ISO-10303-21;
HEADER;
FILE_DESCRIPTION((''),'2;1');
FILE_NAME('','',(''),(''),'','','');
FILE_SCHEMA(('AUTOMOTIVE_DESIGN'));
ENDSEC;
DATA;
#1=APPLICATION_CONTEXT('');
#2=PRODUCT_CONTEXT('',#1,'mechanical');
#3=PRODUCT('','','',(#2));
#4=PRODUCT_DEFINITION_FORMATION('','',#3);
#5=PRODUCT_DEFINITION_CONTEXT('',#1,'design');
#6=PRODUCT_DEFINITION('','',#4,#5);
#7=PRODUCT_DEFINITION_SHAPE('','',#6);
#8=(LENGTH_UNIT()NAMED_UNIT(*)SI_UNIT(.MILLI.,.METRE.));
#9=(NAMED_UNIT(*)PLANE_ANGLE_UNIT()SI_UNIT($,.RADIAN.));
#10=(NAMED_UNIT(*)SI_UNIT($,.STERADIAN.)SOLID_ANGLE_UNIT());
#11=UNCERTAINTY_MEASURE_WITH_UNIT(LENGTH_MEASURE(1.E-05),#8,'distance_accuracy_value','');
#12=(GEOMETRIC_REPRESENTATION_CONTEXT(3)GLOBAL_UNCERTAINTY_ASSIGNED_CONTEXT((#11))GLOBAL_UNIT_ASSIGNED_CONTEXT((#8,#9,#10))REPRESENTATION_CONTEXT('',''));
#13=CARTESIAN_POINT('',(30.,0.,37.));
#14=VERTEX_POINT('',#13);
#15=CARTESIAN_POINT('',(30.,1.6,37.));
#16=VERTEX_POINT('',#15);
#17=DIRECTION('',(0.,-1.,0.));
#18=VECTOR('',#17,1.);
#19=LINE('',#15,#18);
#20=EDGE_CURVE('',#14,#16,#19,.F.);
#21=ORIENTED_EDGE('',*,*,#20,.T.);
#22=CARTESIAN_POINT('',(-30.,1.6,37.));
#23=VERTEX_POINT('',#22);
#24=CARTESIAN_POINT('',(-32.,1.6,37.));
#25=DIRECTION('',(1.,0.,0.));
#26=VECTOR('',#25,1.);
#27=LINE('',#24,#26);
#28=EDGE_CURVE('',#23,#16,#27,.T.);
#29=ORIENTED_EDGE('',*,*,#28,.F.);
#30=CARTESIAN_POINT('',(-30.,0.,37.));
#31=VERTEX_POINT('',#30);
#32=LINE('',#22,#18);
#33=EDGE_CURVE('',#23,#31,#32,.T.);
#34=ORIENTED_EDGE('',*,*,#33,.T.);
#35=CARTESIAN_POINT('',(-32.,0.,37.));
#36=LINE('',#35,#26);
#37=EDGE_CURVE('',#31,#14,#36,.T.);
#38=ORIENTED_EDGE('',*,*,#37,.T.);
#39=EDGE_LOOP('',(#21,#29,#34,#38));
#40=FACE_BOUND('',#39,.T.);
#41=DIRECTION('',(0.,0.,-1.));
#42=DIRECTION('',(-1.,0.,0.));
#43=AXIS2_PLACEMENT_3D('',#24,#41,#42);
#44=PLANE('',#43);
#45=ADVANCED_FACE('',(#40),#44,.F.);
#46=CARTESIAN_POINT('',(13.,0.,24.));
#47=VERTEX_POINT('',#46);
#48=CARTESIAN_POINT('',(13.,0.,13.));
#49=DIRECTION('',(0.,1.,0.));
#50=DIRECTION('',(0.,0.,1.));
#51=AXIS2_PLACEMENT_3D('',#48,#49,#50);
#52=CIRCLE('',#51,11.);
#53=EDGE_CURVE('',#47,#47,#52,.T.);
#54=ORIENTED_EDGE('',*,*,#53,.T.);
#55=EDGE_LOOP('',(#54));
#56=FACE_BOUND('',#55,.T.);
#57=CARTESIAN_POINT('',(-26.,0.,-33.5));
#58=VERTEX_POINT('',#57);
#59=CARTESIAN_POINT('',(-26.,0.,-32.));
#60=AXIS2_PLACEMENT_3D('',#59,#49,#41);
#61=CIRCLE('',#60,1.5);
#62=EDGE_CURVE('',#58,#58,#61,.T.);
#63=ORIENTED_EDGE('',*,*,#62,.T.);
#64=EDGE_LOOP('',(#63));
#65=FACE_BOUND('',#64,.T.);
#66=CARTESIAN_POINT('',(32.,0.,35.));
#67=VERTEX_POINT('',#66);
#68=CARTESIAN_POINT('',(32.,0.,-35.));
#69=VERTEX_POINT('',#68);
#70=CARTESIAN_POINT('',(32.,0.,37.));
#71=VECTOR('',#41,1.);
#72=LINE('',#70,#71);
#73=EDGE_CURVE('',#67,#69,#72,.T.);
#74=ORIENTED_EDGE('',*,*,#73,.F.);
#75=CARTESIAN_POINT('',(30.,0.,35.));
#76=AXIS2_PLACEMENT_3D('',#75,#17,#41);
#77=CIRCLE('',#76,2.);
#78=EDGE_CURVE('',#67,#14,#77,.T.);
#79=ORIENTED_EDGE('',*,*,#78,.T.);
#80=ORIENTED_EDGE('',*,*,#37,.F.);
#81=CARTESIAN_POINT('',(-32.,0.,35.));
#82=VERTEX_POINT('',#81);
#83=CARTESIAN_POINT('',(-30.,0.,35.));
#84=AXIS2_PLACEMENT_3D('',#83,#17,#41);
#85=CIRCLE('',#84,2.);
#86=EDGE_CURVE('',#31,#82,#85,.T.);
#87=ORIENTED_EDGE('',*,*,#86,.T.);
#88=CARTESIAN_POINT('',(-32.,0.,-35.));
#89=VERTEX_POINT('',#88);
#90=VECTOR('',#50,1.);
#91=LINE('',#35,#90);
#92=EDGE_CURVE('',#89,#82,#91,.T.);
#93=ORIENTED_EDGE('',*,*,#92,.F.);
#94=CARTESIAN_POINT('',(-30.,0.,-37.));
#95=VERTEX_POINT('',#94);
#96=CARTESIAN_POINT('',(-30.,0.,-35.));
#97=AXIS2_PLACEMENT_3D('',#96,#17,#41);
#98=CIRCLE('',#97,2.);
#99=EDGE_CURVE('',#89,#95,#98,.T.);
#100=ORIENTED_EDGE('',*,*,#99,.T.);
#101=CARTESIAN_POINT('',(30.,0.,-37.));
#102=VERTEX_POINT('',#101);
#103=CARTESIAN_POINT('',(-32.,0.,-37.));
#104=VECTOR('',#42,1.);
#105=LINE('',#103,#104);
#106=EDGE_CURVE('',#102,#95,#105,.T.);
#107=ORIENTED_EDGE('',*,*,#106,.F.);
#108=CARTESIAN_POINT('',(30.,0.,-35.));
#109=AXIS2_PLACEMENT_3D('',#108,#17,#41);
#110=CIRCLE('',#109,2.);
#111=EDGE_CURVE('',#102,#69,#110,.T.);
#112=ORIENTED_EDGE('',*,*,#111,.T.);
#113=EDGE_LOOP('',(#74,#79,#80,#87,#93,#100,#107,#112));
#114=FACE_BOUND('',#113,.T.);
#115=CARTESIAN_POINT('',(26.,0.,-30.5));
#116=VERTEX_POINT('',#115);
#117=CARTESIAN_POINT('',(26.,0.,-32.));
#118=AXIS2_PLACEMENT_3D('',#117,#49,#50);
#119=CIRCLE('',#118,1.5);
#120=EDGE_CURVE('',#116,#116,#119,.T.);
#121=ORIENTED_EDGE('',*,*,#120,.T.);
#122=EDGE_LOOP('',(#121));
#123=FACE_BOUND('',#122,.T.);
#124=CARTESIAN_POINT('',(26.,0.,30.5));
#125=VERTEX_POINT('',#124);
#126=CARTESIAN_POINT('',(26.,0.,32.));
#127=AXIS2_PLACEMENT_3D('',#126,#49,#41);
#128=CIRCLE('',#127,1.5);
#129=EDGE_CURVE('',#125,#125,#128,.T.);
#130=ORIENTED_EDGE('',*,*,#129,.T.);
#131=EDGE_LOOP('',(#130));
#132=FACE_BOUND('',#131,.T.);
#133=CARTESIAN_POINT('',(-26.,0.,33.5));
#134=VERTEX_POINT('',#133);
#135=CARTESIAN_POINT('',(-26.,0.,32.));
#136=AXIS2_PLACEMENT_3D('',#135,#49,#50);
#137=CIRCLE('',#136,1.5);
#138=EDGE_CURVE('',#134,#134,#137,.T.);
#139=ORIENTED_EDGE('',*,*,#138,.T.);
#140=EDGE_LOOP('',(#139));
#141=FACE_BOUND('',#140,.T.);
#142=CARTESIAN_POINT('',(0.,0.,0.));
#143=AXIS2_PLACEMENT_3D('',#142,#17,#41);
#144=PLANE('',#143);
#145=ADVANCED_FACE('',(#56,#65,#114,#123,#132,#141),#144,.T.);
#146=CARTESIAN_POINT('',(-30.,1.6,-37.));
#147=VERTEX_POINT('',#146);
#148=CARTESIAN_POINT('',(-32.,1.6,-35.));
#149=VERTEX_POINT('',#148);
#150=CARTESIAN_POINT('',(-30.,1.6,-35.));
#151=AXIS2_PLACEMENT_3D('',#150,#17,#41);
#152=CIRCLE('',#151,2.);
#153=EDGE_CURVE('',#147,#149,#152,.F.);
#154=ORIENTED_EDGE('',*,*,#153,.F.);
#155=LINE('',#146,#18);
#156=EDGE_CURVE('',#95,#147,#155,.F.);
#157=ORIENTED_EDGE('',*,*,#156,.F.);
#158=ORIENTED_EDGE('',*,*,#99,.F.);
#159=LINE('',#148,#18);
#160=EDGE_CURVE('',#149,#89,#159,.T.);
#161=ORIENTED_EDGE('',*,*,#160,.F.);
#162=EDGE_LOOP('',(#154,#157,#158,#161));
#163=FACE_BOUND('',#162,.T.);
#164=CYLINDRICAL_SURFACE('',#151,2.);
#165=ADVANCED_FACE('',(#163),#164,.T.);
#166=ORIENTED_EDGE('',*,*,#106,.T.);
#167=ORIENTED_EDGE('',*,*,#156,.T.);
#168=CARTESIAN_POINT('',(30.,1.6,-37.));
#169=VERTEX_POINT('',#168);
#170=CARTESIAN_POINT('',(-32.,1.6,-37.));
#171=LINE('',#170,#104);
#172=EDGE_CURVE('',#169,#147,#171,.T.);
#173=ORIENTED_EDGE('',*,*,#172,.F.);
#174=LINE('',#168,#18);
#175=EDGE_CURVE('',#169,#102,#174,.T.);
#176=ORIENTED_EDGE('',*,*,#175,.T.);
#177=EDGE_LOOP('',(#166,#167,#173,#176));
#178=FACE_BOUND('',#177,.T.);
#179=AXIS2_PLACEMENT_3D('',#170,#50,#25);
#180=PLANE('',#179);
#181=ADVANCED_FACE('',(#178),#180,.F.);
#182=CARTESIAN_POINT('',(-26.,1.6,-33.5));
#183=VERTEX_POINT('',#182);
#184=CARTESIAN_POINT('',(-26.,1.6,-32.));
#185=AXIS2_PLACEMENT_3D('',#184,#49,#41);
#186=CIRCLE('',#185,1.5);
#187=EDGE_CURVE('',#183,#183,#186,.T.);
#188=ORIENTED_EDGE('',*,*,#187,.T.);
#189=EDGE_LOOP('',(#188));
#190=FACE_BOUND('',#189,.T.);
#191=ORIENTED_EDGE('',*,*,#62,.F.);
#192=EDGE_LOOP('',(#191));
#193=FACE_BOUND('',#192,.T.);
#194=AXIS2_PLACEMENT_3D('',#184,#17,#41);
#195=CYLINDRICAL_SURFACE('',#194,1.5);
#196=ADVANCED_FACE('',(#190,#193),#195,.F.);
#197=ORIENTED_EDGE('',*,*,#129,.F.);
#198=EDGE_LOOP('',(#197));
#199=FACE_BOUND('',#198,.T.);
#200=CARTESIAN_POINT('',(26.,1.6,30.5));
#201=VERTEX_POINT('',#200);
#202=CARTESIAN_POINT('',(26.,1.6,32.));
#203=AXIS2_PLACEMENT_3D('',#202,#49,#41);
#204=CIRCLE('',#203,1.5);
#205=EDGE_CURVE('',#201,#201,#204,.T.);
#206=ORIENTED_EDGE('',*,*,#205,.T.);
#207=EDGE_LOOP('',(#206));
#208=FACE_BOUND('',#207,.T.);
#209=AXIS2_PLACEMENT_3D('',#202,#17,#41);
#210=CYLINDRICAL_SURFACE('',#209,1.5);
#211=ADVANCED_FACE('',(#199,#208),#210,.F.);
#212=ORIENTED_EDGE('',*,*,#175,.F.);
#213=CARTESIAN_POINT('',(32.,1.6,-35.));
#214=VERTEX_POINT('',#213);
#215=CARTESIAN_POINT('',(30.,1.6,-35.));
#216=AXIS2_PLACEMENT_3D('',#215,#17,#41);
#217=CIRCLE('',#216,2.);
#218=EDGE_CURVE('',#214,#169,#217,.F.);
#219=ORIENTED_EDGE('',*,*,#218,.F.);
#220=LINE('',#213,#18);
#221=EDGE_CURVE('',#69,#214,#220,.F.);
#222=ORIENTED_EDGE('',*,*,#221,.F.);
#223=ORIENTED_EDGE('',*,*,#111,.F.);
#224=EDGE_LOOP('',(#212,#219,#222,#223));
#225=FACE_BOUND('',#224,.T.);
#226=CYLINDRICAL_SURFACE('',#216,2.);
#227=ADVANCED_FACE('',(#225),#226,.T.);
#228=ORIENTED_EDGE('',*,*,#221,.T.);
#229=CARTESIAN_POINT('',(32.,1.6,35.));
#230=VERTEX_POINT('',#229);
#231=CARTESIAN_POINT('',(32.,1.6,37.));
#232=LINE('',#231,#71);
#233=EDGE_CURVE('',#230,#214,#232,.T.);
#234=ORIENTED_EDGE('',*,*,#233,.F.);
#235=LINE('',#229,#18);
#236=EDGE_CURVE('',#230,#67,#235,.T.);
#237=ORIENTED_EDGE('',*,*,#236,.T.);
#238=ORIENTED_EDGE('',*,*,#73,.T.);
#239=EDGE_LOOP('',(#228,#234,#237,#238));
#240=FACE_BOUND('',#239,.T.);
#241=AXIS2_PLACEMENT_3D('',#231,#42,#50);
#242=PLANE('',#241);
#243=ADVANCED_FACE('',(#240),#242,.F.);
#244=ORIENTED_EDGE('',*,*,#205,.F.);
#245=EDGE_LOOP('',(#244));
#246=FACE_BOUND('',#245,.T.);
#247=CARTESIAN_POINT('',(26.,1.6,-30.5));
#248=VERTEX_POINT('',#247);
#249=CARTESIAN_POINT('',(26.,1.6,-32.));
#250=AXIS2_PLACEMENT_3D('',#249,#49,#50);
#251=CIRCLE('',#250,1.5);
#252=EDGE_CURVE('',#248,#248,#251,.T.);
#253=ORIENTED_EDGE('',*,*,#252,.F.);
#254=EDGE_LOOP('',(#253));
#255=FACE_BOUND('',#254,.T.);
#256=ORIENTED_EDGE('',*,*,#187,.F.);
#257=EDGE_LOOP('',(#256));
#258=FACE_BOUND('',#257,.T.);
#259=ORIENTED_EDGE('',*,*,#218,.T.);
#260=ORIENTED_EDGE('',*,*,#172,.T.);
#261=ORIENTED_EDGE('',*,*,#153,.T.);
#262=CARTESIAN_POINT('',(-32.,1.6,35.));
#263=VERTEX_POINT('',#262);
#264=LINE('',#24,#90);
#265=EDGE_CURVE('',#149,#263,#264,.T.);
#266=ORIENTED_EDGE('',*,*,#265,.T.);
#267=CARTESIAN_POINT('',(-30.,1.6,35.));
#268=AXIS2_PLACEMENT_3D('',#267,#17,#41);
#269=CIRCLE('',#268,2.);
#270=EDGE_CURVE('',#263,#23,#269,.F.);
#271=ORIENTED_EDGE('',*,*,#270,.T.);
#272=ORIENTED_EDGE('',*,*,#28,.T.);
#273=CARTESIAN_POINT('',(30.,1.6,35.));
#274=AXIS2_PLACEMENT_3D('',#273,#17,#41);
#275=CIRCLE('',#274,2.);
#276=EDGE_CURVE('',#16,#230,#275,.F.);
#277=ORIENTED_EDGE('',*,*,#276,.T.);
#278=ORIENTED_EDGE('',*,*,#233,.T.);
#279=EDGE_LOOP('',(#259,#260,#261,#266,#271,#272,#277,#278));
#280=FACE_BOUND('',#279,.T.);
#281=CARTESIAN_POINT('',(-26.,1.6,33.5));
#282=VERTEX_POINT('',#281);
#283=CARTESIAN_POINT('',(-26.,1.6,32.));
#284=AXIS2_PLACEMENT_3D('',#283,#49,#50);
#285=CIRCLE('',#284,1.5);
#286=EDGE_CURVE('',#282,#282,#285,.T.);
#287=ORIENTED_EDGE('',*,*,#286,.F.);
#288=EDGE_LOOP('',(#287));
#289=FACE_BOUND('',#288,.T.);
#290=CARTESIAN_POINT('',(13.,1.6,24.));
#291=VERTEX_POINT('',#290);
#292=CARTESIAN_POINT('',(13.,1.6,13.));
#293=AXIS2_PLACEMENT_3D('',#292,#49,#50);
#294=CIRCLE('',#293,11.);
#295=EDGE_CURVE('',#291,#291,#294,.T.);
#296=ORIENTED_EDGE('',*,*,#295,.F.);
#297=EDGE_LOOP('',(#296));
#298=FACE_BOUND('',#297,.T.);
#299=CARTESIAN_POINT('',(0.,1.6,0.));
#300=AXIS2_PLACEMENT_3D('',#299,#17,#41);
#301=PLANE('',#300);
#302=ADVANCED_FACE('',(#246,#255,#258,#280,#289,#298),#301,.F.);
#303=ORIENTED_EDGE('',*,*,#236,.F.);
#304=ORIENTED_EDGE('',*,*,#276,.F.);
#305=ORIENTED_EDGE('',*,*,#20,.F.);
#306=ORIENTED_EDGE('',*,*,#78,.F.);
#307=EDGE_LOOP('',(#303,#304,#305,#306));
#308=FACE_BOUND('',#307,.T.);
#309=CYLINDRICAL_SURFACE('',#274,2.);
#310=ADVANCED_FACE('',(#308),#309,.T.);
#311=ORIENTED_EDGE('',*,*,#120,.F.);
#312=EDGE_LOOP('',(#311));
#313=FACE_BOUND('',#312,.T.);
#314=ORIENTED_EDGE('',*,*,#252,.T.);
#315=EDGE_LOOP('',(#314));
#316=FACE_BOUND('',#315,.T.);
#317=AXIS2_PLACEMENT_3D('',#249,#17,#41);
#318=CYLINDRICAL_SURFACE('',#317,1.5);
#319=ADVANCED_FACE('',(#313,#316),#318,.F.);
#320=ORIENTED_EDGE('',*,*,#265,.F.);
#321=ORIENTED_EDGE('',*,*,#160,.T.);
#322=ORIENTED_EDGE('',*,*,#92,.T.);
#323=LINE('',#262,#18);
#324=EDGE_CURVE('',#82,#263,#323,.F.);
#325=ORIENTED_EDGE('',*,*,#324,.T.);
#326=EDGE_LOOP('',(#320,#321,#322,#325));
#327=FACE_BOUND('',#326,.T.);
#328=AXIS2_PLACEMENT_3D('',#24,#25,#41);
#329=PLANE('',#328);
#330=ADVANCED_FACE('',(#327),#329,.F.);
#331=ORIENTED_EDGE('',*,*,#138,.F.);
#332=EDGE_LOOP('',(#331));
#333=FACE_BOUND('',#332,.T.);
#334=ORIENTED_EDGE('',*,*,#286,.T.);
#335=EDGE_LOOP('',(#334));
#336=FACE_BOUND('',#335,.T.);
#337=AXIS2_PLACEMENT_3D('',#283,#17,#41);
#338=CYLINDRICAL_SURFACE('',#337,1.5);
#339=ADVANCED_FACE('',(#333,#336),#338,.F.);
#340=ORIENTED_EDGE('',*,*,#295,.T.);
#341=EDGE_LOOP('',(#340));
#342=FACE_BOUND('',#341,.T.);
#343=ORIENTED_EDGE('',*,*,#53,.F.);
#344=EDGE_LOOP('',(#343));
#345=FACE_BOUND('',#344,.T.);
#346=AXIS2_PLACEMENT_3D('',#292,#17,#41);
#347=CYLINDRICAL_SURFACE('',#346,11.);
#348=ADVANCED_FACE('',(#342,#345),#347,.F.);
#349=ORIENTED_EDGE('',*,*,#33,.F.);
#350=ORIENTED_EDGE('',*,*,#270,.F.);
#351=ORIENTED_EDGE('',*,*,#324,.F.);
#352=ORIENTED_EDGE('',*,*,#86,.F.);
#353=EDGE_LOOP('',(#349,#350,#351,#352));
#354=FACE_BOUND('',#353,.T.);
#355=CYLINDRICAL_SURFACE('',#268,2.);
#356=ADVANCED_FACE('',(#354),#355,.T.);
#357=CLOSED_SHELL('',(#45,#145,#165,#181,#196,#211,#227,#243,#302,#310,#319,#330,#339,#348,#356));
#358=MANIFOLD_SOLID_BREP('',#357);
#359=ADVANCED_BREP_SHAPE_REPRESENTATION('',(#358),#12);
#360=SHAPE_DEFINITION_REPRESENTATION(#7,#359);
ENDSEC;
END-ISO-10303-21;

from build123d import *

# Parameters (mm, degrees)
SKETCH_1_W      = 64
SKETCH_1_H      = 74
SKETCH_1_R      = 1.5
SKETCH_1_R_2    = 11
EXTRUDE_1_DEPTH = 1.6
FILLET_1_R      = 2


with BuildPart() as part:
    # 草图1 → 凸台-拉伸1 (new body)
    with BuildSketch(Plane(origin=(0, 0, 0), x_dir=(1, 0, 0), z_dir=(0, 1, 0))):
        Rectangle(SKETCH_1_W, SKETCH_1_H)
        with Locations(Location((26, 32, 0), (0, 0, 270))):
            Circle(SKETCH_1_R, mode=Mode.SUBTRACT)
        with Locations(Location((-26, 32, 0), (0, 0, 90))):
            Circle(SKETCH_1_R, mode=Mode.SUBTRACT)
        with Locations(Location((13, -13, 0), (0, 0, 270))):
            Circle(SKETCH_1_R_2, mode=Mode.SUBTRACT)
        with Locations(Location((26, -32, 0), (0, 0, 90))):
            Circle(SKETCH_1_R, mode=Mode.SUBTRACT)
        with Locations(Location((-26, -32, 0), (0, 0, 270))):
            Circle(SKETCH_1_R, mode=Mode.SUBTRACT)
    extrude(amount=EXTRUDE_1_DEPTH)

    # 圆角1
    fillet_1_edges = [part.edges().sort_by_distance(p)[0] for p in [
        (32, 0.8, 37),
        (-32, 0.8, 37),
        (-32, 0.8, -37),
        (32, 0.8, -37),
    ]]
    fillet(fillet_1_edges, radius=FILLET_1_R)


solid = part.part
